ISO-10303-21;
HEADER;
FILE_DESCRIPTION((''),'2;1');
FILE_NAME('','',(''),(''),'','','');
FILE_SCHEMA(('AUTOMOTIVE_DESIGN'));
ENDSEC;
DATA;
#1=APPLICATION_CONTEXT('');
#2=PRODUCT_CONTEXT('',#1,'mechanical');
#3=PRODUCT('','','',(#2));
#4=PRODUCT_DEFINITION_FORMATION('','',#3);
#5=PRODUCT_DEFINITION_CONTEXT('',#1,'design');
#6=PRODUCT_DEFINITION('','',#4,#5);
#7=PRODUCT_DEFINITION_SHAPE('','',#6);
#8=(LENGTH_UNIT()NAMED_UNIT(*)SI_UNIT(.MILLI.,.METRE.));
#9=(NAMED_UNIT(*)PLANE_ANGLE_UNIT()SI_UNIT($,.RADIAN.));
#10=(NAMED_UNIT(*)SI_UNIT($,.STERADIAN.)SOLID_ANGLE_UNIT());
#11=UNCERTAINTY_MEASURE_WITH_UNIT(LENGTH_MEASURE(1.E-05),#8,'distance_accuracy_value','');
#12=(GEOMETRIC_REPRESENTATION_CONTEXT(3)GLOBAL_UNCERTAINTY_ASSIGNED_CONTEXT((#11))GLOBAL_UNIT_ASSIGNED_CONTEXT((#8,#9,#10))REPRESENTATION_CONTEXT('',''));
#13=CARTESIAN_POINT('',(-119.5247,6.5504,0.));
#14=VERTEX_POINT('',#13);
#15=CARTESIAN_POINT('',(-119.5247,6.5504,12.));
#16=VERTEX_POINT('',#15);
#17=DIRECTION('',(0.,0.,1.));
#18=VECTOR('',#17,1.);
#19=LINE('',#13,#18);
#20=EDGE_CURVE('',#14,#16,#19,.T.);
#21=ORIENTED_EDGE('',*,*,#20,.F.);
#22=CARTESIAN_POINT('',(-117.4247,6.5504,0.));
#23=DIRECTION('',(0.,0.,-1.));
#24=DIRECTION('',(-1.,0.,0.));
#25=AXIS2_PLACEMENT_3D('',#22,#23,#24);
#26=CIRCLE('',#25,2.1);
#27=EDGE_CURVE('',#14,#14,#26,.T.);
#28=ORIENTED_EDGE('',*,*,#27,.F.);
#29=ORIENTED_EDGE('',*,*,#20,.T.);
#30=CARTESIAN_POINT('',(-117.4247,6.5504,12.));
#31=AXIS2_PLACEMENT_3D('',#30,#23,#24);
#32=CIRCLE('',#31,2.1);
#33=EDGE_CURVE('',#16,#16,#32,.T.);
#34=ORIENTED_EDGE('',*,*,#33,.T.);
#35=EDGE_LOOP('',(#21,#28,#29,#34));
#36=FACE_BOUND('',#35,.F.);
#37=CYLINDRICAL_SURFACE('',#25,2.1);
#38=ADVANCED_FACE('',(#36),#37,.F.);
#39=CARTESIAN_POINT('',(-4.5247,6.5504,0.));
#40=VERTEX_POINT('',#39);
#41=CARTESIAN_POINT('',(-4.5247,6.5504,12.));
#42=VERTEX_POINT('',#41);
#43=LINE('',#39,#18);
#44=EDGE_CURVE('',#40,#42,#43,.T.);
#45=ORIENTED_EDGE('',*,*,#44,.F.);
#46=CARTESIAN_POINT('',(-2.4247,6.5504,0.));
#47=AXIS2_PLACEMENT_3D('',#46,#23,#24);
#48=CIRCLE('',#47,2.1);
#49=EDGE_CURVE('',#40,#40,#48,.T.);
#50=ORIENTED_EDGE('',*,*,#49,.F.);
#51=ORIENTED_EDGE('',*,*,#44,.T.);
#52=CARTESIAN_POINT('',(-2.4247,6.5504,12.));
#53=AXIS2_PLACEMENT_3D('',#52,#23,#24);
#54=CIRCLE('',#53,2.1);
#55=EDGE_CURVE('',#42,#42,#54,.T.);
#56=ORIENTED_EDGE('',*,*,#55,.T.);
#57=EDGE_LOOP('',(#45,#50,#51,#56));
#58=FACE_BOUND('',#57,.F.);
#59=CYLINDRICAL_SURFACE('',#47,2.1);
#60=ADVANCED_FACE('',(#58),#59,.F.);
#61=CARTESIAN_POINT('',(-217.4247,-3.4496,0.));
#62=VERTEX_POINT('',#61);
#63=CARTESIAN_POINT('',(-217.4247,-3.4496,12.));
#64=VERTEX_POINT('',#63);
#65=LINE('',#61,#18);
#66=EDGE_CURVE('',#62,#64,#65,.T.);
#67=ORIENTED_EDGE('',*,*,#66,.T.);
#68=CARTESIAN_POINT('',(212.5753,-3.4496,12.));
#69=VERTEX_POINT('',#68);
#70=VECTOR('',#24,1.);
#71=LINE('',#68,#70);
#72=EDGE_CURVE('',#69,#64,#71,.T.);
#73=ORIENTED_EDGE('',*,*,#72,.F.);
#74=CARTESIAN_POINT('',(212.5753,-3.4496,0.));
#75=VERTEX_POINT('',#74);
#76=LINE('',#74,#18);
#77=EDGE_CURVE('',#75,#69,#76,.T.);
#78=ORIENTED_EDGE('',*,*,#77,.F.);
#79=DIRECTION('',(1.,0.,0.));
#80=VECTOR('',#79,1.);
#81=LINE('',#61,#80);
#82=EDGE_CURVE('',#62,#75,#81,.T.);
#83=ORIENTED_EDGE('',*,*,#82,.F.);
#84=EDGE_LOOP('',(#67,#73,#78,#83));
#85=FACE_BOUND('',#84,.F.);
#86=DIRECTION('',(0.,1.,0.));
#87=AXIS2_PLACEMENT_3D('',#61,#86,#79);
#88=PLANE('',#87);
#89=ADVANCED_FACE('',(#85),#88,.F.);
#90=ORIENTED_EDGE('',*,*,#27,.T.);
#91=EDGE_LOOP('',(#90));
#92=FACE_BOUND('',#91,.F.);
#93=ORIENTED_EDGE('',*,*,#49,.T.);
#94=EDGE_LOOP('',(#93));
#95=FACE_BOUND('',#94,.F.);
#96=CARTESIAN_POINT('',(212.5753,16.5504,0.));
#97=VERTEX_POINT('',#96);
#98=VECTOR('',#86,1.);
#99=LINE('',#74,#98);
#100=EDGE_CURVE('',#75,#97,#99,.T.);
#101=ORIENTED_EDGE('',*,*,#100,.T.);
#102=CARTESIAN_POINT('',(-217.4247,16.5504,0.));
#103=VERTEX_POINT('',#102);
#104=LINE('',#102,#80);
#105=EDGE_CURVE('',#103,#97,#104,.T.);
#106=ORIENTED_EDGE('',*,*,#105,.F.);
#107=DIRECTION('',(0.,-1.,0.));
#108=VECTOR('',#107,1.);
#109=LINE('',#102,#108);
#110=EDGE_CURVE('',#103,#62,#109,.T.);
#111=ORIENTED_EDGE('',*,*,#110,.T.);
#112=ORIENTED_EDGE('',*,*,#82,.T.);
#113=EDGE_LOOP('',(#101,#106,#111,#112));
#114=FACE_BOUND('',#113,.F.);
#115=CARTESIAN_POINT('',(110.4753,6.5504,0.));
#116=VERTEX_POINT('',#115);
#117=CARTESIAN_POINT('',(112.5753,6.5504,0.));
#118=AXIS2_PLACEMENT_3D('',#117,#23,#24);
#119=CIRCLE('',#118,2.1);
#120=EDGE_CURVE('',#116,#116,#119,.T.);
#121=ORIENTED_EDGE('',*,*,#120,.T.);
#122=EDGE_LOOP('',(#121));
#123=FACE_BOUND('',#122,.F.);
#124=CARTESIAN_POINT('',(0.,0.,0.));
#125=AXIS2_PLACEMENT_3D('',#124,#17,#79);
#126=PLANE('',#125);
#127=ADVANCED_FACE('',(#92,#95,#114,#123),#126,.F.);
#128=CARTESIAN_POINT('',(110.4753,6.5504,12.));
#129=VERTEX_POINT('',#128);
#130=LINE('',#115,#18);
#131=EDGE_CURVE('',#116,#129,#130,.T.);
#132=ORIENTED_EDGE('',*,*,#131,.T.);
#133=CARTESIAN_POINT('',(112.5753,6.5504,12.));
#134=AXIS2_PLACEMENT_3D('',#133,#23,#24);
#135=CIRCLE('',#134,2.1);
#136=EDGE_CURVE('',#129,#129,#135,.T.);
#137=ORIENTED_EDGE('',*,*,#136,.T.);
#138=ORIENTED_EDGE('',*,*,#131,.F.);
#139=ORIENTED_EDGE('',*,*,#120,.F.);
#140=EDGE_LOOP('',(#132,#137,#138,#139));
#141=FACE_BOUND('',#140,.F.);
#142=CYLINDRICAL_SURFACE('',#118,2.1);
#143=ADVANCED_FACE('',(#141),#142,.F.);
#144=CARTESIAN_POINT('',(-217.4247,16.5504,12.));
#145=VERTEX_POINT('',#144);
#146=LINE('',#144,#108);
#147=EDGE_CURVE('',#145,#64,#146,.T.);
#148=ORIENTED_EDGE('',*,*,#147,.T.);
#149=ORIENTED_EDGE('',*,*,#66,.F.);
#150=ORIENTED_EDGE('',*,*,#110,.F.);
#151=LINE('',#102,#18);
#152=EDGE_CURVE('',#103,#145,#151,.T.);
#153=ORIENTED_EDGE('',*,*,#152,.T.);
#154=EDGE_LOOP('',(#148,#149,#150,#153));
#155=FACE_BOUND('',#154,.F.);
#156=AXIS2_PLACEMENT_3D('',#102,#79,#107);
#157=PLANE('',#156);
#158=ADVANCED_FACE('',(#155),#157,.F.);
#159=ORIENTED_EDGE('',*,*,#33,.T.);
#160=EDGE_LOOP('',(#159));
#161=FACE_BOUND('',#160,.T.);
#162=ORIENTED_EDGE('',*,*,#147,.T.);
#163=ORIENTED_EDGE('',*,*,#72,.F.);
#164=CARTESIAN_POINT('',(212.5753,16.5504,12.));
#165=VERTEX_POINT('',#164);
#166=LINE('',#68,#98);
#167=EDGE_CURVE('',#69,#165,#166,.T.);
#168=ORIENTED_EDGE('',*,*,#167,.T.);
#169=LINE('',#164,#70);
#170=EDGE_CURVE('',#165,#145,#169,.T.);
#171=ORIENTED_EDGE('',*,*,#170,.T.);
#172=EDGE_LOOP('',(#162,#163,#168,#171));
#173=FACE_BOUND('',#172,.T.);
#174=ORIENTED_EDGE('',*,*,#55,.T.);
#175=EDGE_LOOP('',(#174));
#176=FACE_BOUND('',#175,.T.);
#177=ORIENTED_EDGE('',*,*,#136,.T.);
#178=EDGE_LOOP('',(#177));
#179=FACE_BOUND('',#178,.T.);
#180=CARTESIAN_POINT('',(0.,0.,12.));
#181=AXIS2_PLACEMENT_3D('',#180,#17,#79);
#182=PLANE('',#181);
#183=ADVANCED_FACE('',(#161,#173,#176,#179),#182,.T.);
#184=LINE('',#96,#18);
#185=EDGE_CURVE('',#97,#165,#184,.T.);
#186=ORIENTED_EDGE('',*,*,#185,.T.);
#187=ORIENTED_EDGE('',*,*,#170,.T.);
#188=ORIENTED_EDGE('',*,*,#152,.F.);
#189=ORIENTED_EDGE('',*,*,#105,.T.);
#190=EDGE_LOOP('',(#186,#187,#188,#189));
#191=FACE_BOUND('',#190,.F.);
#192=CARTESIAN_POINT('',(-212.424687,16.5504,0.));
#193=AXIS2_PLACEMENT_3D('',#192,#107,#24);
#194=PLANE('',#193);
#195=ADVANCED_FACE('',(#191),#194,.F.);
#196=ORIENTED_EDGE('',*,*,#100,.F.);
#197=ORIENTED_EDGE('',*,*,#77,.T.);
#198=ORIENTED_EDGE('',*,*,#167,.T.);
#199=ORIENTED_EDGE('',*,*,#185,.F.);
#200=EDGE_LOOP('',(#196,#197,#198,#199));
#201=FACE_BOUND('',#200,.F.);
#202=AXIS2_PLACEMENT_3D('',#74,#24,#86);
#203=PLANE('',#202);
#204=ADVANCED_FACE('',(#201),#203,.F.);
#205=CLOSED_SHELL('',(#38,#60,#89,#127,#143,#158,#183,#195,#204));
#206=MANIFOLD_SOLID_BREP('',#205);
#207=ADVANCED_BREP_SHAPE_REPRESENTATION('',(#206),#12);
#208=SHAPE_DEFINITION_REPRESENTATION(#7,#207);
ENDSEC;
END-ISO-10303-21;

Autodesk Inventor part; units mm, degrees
ref_plane "YZ Plane" through (0, 0, 0) normal (1, 0, 0) x (0, 1, 0)
ref_plane "XZ Plane" through (0, 0, 0) normal (0, 1, 0) x (-1, 0, 0)
ref_plane "XY Plane" through (0, 0, 0) normal (0, 0, 1) x (1, 0, 0)
sketch "Sketch1" plane through (0, 0, 0) normal (0, 0, 1) x (1, 0, 0)
  line L0 (-212.4247, -46.9955) -> (-212.4247, -61.9955) projected
  line L1 (-212.4247, -61.9955) -> (213.9753, -61.9955) projected
  line L2 (213.9753, -61.9955) -> (213.9753, -46.9955) projected
  line L3 (213.9753, -46.9955) -> (-212.4247, -46.9955) projected
  line L4 (213.9754, 278.5874) -> (243.9754, 278.5874) projected
  line L5 (243.9754, 278.5874) -> (243.9753, -71.9955) projected
  line L6 (243.9753, -71.9955) -> (-242.4247, -71.9955) projected
  line L7 (-242.4247, -71.9955) -> (-242.4246, 278.5875) projected
  line L8 (-242.4246, 278.5875) -> (-212.4246, 278.5875) projected
  line L9 (-212.4246, 278.5875) -> (-212.4247, -21.9955) projected
  line L10 (-212.4247, -21.9955) -> (213.9753, -21.9955) projected
  line L11 (213.9753, -21.9955) -> (213.9754, 278.5874) projected
  line L12 (-217.4247, -3.4496) -> (212.5753, -3.4496)
  line L13 (212.5753, -3.4496) -> (212.5753, 16.5504)
  line L14 (212.5753, 16.5504) -> (-217.4247, 16.5504)
  line L15 (-217.4247, 16.5504) -> (-217.4247, -3.4496)
  point P0 (0, 0)
  dimension "d1" = 20
  dimension "d11" = 430
extrude "Extrusion1" add sketch "Sketch1" along normal blind 12 contours L12 L15 L14 L9 | L9 L14 L13 L12
sketch "Sketch2" plane through (0, 0, 0) normal (0, 0, -1) x (-1, 0, 0)
  line L0 (217.4247, -3.4496) -> (-212.5753, -3.4496) construction
  line L1 (2.4247, -3.4496) -> (2.4247, 18.0985) construction
  line L2 (217.4247, 16.5504) -> (217.4247, -3.4496) construction
  line L3 (217.4247, 6.5504) -> (-212.5753, 6.5504) construction
  line L4 (-212.5753, -3.4496) -> (-212.5753, 16.5504) construction
  circle A0 centre (117.4247, 6.5504) radius 2.1
  circle A1 centre (-112.5753, 6.5504) radius 2.1
  circle A2 centre (2.4247, 6.5504) radius 2.1
  point P0 (0, 0)
  dimension "d4" = 4.2
  dimension "d5" = 100
  dimension "d6" = 4.2
  dimension "d7" = 100
  dimension "d8" = 4.2
extrude "Extrusion2" cut sketch "Sketch2" against normal through all
properties part number "Wiper Springloaded 1"
